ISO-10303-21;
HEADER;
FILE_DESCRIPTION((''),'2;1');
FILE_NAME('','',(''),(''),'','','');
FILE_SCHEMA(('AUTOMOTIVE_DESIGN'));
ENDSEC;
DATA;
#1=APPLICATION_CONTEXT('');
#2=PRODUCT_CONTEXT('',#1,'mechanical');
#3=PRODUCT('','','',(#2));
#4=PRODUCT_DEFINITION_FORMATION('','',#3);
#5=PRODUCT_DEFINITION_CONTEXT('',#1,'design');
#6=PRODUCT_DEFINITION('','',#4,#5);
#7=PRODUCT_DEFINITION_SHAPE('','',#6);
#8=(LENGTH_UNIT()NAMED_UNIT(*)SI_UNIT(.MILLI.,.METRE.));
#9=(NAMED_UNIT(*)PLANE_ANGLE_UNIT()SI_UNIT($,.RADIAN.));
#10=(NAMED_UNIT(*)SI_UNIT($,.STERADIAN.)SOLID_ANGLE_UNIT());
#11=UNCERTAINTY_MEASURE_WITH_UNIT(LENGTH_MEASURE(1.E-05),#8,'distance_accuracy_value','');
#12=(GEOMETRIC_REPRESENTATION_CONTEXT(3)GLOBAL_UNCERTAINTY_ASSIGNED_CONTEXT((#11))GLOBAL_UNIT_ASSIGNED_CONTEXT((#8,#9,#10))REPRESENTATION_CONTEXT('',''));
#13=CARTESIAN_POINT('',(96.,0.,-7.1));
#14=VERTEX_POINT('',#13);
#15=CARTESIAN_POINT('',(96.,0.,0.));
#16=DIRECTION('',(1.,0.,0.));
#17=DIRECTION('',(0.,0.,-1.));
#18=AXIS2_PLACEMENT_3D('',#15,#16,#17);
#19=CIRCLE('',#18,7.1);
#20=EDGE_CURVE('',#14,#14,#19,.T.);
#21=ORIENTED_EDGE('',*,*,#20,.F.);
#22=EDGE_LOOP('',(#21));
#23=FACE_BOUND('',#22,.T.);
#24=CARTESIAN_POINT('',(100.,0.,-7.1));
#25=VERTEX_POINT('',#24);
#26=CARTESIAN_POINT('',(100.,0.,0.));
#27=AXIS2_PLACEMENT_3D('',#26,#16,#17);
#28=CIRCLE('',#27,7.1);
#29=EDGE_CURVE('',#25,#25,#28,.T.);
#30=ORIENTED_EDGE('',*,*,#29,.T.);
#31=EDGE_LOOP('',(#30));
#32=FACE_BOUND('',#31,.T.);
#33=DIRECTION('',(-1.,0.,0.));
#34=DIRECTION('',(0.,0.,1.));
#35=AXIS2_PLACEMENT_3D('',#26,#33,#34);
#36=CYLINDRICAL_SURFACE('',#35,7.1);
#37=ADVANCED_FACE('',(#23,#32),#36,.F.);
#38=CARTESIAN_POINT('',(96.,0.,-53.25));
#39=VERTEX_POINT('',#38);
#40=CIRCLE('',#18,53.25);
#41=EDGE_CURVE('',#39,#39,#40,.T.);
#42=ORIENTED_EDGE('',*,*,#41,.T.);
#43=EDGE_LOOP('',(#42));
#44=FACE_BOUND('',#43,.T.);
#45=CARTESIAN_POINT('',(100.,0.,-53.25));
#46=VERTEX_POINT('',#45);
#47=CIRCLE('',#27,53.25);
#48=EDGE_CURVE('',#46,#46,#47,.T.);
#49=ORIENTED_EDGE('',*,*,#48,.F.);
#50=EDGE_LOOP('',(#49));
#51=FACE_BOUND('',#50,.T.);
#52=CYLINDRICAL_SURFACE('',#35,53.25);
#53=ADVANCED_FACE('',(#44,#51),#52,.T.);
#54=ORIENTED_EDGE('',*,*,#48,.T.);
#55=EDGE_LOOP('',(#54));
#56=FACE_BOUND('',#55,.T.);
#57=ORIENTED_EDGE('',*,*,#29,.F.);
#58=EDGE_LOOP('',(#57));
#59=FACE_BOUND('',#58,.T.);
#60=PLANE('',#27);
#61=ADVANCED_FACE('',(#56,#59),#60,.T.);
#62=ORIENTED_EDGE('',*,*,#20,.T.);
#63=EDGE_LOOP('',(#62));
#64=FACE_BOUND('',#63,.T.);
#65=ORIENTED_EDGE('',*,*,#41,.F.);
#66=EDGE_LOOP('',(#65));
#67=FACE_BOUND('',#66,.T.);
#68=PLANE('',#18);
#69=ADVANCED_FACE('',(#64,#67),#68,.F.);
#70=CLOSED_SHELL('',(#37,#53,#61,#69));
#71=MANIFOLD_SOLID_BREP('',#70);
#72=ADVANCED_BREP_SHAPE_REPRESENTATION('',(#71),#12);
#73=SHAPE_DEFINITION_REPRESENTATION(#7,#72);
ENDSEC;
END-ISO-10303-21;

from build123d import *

# Parameters (mm, degrees)
BOSS_EXTRU_2_START = 96
ESQUISSE8_R        = 53.25
ESQUISSE8_R_2      = 7.1
BOSS_EXTRU_2_DEPTH = 4


with BuildPart() as part:
    # Esquisse8 → Boss.-Extru.2 (new body)
    with BuildSketch(Plane(origin=(0, 0, 0), x_dir=(0, 0, -1), z_dir=(1, 0, 0)).offset(BOSS_EXTRU_2_START)):
        Circle(ESQUISSE8_R)
        Circle(ESQUISSE8_R_2, mode=Mode.SUBTRACT)
    extrude(amount=BOSS_EXTRU_2_DEPTH)


solid = part.part
